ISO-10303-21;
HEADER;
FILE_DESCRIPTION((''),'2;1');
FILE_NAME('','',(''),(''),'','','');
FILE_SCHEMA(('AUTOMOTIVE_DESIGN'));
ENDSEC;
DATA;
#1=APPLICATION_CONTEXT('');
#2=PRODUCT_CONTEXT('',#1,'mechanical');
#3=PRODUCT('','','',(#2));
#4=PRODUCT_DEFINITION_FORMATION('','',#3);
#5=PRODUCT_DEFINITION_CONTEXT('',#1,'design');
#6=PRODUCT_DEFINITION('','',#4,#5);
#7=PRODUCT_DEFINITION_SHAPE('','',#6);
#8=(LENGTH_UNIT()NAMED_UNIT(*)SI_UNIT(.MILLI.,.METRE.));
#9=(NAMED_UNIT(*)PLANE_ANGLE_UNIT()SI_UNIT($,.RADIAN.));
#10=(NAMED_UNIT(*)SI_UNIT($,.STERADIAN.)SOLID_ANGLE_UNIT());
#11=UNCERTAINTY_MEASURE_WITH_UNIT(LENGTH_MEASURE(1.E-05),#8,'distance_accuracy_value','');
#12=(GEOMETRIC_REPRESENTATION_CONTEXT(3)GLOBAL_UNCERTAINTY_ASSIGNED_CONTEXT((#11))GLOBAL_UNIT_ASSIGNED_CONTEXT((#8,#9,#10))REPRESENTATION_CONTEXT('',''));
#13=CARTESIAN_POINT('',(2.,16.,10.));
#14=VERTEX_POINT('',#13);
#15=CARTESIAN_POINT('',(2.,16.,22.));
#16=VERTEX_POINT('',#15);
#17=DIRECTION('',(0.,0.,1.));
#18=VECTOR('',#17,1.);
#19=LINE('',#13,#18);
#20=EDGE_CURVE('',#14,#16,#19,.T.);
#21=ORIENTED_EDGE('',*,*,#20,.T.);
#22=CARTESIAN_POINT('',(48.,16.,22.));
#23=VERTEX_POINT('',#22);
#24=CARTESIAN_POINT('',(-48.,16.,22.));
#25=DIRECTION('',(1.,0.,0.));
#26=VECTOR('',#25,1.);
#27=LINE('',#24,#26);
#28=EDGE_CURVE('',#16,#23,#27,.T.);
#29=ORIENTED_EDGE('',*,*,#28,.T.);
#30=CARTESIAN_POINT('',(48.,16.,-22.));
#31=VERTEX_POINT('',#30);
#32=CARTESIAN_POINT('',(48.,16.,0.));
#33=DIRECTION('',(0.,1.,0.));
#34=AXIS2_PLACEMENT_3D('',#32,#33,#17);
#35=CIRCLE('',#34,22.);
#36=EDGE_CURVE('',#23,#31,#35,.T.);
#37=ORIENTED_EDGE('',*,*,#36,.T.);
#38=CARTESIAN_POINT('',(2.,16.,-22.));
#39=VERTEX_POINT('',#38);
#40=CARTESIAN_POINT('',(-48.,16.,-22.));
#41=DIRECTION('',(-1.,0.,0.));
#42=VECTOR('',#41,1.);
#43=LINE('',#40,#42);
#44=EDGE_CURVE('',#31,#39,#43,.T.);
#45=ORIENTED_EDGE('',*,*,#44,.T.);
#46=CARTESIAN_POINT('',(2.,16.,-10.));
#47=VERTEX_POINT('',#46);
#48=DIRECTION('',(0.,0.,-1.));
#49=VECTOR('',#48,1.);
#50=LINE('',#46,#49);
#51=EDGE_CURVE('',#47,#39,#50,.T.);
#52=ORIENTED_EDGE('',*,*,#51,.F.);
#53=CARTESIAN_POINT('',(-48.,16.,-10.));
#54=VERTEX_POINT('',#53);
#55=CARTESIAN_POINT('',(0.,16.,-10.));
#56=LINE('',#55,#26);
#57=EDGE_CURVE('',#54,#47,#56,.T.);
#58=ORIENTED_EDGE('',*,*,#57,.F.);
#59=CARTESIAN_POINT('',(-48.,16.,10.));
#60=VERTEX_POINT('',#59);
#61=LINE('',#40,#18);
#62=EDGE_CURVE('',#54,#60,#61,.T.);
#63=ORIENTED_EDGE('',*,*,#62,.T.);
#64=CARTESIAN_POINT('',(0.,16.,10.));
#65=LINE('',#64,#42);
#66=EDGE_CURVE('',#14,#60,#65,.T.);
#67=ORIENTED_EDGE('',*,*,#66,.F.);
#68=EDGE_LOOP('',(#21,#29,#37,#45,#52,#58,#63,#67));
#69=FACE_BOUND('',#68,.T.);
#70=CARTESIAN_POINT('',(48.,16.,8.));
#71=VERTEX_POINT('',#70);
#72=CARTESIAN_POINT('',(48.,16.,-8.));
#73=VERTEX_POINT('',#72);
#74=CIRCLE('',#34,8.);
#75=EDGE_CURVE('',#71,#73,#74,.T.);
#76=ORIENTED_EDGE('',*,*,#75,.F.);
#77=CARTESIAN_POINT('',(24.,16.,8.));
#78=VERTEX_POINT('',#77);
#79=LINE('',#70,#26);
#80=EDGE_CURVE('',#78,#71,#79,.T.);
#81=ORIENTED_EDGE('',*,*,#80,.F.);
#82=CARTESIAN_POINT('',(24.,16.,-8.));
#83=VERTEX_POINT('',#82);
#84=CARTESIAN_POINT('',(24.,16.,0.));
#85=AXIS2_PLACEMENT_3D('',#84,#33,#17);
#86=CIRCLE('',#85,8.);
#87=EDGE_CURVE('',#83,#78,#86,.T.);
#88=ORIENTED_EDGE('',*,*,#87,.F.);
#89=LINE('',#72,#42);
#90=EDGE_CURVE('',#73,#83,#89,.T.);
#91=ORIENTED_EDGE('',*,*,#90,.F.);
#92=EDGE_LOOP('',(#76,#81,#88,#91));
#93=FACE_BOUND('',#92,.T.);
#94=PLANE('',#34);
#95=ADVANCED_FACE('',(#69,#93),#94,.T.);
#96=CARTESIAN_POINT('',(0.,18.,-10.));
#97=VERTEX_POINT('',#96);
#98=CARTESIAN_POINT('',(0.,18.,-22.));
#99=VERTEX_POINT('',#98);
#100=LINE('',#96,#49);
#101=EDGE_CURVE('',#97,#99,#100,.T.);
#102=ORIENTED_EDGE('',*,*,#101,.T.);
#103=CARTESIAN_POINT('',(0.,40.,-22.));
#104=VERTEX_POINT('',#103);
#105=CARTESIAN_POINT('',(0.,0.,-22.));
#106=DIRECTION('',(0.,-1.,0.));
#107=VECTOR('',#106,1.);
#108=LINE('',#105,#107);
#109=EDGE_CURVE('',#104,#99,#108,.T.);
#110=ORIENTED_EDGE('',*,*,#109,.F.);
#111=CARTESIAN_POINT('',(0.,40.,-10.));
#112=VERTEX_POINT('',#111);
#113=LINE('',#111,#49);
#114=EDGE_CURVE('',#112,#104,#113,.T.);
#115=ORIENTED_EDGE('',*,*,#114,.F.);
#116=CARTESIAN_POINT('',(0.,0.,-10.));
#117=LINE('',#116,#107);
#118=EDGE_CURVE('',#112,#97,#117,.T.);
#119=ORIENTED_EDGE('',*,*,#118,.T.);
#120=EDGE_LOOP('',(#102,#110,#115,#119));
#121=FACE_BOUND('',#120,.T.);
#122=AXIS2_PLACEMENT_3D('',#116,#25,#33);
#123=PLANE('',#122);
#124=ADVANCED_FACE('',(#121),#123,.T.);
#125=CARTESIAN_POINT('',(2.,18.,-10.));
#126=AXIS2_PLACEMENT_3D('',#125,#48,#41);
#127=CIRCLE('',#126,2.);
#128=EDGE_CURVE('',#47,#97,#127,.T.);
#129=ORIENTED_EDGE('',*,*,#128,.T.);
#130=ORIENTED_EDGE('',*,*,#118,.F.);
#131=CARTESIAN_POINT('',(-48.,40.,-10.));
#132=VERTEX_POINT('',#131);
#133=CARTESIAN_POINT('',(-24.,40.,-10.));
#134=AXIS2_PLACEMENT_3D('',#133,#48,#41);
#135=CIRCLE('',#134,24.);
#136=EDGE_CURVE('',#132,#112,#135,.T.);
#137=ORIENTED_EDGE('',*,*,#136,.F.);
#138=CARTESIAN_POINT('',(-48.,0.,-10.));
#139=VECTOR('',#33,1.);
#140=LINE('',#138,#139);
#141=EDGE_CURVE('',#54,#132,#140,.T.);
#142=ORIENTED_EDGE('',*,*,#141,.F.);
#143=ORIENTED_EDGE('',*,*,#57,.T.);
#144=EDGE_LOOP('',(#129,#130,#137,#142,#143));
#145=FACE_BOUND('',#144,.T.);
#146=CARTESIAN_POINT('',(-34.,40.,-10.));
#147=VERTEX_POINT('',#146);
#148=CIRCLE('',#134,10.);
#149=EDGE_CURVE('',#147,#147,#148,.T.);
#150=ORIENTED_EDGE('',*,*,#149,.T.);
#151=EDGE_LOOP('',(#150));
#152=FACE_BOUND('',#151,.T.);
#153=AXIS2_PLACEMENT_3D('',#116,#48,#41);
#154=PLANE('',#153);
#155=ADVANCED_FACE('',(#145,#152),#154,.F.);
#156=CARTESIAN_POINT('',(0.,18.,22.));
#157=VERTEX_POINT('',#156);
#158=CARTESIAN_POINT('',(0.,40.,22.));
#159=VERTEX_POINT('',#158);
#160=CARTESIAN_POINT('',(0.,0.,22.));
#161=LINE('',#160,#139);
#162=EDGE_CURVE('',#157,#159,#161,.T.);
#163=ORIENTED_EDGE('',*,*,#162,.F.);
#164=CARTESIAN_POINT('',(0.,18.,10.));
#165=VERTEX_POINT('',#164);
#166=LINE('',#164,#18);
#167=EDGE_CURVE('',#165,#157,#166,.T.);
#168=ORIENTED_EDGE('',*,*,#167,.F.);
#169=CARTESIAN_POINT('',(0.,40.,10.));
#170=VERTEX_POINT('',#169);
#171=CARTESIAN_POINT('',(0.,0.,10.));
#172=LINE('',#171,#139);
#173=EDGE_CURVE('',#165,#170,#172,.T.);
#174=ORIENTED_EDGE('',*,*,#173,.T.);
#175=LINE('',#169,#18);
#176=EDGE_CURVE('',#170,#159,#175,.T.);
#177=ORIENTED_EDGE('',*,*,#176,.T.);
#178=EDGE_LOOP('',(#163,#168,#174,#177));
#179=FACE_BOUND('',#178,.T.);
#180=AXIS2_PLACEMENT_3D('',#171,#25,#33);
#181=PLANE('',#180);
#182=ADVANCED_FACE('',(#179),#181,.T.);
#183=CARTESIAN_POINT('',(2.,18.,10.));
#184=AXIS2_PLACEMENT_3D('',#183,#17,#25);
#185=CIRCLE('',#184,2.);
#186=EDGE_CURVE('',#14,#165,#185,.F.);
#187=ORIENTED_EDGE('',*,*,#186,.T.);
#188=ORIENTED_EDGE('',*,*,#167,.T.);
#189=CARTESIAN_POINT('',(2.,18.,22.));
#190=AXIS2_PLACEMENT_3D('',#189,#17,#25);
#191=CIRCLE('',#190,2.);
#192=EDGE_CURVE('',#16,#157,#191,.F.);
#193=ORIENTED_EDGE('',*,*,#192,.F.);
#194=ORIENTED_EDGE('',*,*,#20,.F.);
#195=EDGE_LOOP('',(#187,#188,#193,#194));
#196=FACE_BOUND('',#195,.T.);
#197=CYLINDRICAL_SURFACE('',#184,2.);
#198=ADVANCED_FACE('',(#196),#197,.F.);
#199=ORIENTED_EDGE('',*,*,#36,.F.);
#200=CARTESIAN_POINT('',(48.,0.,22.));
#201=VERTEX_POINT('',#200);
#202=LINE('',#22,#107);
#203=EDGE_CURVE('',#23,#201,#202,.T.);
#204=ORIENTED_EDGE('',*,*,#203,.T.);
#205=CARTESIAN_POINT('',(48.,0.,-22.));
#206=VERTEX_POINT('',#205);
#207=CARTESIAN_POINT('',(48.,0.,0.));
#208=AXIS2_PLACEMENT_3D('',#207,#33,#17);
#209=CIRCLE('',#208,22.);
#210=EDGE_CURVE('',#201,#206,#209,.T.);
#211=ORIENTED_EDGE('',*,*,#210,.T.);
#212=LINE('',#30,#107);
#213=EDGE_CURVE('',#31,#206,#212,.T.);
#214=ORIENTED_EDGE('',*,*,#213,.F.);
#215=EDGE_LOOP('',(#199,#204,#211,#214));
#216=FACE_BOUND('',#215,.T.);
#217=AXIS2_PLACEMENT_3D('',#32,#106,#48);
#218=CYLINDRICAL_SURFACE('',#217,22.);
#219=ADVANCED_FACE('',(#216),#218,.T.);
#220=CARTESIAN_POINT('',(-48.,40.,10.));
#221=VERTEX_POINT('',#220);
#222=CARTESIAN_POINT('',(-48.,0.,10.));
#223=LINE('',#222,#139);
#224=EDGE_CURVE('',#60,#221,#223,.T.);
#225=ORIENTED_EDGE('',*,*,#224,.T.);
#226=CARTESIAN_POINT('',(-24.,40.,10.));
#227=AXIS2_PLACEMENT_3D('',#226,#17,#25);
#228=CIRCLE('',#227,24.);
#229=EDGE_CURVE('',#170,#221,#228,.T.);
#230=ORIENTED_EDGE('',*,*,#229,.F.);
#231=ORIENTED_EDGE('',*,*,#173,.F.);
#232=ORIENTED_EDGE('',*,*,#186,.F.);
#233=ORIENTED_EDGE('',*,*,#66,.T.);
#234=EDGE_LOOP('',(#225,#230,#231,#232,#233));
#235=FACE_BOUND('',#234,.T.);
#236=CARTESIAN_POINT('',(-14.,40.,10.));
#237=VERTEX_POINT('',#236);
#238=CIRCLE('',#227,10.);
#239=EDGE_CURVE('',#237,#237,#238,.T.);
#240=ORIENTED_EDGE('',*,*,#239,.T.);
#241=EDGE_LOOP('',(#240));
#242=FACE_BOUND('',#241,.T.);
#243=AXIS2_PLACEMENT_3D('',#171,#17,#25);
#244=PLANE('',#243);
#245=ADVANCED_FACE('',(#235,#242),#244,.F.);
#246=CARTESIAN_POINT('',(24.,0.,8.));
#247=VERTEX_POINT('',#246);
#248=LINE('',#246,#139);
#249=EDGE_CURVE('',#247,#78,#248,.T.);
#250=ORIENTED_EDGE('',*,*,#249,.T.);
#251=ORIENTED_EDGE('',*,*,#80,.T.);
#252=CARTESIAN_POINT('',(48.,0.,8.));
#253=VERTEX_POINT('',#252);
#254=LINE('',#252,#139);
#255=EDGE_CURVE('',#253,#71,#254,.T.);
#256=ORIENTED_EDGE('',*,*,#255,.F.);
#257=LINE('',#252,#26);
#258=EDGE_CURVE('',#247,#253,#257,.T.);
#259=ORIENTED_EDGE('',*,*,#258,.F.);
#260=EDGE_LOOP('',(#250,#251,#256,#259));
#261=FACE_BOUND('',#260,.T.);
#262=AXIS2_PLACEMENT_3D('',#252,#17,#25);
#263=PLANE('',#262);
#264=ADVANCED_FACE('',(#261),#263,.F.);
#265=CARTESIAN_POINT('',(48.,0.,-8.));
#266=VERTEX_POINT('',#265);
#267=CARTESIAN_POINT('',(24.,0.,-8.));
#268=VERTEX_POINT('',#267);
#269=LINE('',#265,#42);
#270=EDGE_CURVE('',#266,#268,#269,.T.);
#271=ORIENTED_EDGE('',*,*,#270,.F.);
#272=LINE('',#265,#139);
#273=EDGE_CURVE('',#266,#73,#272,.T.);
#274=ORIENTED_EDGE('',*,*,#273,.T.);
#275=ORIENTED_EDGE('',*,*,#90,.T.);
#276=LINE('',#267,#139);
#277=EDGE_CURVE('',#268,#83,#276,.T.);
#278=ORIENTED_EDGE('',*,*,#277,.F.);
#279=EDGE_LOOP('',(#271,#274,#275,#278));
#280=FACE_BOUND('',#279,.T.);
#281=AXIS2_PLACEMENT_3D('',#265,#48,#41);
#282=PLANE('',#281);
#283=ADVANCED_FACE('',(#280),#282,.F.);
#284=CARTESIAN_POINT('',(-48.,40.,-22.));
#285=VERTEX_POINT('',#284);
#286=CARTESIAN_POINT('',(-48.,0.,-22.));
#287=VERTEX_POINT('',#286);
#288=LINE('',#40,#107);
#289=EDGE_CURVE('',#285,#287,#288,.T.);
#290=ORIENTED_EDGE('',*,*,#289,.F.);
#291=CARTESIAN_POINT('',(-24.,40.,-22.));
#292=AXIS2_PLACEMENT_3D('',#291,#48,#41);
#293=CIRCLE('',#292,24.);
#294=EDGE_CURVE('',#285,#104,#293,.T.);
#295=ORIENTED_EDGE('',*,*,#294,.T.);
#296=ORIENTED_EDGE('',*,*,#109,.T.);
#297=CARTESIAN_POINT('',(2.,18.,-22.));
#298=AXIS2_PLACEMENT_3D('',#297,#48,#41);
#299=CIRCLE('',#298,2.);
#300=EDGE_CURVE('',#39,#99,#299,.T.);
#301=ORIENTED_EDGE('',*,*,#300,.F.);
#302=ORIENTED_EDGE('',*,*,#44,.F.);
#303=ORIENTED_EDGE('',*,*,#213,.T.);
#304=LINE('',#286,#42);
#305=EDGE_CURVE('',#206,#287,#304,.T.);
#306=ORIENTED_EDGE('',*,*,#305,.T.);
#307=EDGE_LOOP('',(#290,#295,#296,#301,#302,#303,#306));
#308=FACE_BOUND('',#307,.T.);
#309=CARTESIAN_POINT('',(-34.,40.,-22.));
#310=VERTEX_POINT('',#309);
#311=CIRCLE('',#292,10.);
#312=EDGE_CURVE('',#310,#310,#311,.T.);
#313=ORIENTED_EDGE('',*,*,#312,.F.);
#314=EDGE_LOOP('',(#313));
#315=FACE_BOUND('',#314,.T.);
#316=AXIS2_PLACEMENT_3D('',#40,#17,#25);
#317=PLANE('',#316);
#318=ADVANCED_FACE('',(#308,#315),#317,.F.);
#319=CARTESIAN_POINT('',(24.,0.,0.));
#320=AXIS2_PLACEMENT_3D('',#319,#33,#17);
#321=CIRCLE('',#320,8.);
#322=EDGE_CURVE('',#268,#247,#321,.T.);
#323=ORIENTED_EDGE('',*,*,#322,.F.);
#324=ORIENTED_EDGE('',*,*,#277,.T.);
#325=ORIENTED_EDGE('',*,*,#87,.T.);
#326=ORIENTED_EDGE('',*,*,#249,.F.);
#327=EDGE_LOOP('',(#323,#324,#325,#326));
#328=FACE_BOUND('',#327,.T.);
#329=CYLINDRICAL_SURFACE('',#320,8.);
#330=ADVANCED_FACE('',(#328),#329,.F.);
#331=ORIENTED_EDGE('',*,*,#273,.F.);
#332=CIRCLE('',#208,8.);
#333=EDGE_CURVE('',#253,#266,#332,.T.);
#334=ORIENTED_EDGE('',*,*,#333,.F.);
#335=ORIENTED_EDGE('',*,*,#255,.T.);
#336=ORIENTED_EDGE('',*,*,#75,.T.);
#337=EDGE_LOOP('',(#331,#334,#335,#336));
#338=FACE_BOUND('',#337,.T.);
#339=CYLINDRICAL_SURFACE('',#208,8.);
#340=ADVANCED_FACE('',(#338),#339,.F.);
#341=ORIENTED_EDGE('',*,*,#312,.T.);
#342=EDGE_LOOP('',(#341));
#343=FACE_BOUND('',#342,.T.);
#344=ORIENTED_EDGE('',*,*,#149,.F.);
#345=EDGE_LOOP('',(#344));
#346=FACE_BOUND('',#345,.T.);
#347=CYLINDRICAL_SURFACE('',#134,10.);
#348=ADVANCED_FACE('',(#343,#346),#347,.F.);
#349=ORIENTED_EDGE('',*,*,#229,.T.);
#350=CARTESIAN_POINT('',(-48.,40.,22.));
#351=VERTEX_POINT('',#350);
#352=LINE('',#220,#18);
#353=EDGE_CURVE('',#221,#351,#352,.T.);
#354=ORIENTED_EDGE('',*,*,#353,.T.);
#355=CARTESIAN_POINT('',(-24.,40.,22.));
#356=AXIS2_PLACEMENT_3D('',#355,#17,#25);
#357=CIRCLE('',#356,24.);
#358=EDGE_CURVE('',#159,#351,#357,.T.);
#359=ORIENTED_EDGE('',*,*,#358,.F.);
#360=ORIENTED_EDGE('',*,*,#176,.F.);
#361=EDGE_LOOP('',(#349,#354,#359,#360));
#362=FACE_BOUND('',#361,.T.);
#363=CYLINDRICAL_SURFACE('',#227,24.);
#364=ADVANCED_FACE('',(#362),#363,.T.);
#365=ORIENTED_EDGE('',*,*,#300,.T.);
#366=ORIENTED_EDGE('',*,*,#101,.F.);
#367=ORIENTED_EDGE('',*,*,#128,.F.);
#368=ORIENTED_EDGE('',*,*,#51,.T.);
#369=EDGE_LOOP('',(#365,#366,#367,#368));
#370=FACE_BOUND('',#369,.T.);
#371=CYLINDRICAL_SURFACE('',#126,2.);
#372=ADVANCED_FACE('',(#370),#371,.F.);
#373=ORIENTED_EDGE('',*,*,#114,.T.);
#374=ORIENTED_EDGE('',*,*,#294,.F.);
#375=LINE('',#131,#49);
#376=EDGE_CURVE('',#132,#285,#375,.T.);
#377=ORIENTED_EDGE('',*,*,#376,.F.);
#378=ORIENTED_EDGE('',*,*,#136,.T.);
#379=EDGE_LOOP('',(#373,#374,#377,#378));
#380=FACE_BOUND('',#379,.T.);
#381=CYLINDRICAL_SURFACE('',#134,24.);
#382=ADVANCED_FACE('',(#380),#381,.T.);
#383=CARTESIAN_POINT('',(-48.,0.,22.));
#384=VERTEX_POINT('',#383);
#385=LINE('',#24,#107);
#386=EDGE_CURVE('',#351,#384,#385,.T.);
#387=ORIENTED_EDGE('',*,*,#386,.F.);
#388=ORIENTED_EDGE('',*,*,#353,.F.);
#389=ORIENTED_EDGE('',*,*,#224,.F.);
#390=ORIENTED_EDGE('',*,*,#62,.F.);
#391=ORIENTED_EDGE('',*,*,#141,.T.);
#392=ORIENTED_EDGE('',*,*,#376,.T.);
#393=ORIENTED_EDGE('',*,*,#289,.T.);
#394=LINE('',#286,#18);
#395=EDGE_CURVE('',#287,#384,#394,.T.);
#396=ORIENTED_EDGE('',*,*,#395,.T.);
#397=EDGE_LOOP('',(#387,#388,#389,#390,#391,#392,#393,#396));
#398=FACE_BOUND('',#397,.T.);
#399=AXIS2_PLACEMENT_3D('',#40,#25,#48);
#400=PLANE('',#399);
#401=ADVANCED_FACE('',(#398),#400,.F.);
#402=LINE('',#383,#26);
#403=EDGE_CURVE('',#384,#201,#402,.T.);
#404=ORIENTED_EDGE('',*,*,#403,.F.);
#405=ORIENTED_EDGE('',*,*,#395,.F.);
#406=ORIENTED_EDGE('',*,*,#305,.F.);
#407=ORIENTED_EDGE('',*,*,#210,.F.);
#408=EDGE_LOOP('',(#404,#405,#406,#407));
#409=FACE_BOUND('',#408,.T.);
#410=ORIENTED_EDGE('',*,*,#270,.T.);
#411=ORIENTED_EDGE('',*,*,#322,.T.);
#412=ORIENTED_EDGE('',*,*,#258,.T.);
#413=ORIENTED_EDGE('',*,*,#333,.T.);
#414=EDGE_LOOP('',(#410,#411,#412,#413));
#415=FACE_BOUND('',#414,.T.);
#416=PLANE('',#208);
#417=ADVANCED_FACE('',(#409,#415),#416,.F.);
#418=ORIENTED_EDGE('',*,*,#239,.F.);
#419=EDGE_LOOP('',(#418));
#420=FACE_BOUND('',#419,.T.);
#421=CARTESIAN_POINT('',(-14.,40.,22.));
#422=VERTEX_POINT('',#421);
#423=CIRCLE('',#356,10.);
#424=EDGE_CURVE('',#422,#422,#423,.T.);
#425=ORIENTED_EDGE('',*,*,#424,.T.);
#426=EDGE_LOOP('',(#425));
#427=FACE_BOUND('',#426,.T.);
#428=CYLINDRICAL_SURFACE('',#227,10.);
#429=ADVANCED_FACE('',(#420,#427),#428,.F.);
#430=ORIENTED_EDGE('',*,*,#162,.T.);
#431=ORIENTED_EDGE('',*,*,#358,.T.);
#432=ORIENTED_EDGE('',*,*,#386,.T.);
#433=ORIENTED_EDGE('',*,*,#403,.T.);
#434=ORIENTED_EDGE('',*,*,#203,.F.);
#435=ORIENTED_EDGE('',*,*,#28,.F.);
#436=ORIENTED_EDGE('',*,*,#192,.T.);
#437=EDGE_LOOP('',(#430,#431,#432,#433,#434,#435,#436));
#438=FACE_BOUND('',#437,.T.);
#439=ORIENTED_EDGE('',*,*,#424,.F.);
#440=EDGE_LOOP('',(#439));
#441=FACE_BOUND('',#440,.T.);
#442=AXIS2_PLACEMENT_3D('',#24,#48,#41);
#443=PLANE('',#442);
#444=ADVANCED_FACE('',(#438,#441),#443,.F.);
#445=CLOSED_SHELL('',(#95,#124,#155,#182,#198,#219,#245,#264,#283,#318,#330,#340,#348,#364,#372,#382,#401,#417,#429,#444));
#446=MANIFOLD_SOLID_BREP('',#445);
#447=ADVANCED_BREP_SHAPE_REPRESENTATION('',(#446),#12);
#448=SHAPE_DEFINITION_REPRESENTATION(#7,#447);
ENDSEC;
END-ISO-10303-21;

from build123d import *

# Parameters (mm, degrees)
BOSS_EXTRUDE1_DEPTH = 16
CUT_EXTRUDE2_DEPTH  = 16
SKETCH5_R           = 10
BOSS_EXTRUDE3_DEPTH = 12
SKETCH7_R           = 10
BOSS_EXTRUDE4_DEPTH = 12


with BuildPart() as part:
    # Sketch2 → Boss-Extrude1 (new body)
    with BuildSketch(Plane(origin=(0, 0, 0), x_dir=(1, 0, 0), z_dir=(0, 1, 0))):
        with BuildLine():
            Line((-48, 22), (48, 22))
            ThreePointArc((48, 22), (70, 0), (48, -22))
            Line((48, -22), (-48, -22))
            Line((-48, -22), (-48, 22))
        make_face()
    extrude(amount=BOSS_EXTRUDE1_DEPTH)

    # Sketch3 → Cut-Extrude2 (cut)
    with BuildSketch(Plane(origin=(0, 16, 0), x_dir=(1, 0, 0), z_dir=(0, 1, 0))):
        with BuildLine():
            Line((48, -8), (24, -8))
            ThreePointArc((24, -8), (16, 0), (24, 8))
            Line((24, 8), (48, 8))
            ThreePointArc((48, 8), (56, 0), (48, -8))
        make_face()
    extrude(amount=-CUT_EXTRUDE2_DEPTH, mode=Mode.SUBTRACT)

    # Sketch5 → Boss-Extrude3 (add)
    with BuildSketch(Plane.XY.offset(22)):
        with BuildLine():
            Line((-48, 40), (-48, 16))
            Line((-48, 16), (2, 16))
            ThreePointArc((2, 16), (0.585786438, 16.585786438), (0, 18))
            Line((0, 18), (0, 40))
            ThreePointArc((0, 40), (-24, 64), (-48, 40))
        make_face()
        with Locations((-24, 40)):
            Circle(SKETCH5_R, mode=Mode.SUBTRACT)
    extrude(amount=-BOSS_EXTRUDE3_DEPTH)

    # Sketch7 → Boss-Extrude4 (add)
    with BuildSketch(Plane(origin=(0, 0, -22), x_dir=(-1, 0, 0), z_dir=(0, 0, -1))):
        with BuildLine():
            Line((-2, 16), (48, 16))
            Line((48, 16), (48, 40))
            ThreePointArc((48, 40), (24, 64), (0, 40))
            Line((0, 40), (0, 18))
            ThreePointArc((0, 18), (-0.585786438, 16.585786438), (-2, 16))
        make_face()
        with Locations((24, 40)):
            Circle(SKETCH7_R, mode=Mode.SUBTRACT)
    extrude(amount=-BOSS_EXTRUDE4_DEPTH)


solid = part.part
